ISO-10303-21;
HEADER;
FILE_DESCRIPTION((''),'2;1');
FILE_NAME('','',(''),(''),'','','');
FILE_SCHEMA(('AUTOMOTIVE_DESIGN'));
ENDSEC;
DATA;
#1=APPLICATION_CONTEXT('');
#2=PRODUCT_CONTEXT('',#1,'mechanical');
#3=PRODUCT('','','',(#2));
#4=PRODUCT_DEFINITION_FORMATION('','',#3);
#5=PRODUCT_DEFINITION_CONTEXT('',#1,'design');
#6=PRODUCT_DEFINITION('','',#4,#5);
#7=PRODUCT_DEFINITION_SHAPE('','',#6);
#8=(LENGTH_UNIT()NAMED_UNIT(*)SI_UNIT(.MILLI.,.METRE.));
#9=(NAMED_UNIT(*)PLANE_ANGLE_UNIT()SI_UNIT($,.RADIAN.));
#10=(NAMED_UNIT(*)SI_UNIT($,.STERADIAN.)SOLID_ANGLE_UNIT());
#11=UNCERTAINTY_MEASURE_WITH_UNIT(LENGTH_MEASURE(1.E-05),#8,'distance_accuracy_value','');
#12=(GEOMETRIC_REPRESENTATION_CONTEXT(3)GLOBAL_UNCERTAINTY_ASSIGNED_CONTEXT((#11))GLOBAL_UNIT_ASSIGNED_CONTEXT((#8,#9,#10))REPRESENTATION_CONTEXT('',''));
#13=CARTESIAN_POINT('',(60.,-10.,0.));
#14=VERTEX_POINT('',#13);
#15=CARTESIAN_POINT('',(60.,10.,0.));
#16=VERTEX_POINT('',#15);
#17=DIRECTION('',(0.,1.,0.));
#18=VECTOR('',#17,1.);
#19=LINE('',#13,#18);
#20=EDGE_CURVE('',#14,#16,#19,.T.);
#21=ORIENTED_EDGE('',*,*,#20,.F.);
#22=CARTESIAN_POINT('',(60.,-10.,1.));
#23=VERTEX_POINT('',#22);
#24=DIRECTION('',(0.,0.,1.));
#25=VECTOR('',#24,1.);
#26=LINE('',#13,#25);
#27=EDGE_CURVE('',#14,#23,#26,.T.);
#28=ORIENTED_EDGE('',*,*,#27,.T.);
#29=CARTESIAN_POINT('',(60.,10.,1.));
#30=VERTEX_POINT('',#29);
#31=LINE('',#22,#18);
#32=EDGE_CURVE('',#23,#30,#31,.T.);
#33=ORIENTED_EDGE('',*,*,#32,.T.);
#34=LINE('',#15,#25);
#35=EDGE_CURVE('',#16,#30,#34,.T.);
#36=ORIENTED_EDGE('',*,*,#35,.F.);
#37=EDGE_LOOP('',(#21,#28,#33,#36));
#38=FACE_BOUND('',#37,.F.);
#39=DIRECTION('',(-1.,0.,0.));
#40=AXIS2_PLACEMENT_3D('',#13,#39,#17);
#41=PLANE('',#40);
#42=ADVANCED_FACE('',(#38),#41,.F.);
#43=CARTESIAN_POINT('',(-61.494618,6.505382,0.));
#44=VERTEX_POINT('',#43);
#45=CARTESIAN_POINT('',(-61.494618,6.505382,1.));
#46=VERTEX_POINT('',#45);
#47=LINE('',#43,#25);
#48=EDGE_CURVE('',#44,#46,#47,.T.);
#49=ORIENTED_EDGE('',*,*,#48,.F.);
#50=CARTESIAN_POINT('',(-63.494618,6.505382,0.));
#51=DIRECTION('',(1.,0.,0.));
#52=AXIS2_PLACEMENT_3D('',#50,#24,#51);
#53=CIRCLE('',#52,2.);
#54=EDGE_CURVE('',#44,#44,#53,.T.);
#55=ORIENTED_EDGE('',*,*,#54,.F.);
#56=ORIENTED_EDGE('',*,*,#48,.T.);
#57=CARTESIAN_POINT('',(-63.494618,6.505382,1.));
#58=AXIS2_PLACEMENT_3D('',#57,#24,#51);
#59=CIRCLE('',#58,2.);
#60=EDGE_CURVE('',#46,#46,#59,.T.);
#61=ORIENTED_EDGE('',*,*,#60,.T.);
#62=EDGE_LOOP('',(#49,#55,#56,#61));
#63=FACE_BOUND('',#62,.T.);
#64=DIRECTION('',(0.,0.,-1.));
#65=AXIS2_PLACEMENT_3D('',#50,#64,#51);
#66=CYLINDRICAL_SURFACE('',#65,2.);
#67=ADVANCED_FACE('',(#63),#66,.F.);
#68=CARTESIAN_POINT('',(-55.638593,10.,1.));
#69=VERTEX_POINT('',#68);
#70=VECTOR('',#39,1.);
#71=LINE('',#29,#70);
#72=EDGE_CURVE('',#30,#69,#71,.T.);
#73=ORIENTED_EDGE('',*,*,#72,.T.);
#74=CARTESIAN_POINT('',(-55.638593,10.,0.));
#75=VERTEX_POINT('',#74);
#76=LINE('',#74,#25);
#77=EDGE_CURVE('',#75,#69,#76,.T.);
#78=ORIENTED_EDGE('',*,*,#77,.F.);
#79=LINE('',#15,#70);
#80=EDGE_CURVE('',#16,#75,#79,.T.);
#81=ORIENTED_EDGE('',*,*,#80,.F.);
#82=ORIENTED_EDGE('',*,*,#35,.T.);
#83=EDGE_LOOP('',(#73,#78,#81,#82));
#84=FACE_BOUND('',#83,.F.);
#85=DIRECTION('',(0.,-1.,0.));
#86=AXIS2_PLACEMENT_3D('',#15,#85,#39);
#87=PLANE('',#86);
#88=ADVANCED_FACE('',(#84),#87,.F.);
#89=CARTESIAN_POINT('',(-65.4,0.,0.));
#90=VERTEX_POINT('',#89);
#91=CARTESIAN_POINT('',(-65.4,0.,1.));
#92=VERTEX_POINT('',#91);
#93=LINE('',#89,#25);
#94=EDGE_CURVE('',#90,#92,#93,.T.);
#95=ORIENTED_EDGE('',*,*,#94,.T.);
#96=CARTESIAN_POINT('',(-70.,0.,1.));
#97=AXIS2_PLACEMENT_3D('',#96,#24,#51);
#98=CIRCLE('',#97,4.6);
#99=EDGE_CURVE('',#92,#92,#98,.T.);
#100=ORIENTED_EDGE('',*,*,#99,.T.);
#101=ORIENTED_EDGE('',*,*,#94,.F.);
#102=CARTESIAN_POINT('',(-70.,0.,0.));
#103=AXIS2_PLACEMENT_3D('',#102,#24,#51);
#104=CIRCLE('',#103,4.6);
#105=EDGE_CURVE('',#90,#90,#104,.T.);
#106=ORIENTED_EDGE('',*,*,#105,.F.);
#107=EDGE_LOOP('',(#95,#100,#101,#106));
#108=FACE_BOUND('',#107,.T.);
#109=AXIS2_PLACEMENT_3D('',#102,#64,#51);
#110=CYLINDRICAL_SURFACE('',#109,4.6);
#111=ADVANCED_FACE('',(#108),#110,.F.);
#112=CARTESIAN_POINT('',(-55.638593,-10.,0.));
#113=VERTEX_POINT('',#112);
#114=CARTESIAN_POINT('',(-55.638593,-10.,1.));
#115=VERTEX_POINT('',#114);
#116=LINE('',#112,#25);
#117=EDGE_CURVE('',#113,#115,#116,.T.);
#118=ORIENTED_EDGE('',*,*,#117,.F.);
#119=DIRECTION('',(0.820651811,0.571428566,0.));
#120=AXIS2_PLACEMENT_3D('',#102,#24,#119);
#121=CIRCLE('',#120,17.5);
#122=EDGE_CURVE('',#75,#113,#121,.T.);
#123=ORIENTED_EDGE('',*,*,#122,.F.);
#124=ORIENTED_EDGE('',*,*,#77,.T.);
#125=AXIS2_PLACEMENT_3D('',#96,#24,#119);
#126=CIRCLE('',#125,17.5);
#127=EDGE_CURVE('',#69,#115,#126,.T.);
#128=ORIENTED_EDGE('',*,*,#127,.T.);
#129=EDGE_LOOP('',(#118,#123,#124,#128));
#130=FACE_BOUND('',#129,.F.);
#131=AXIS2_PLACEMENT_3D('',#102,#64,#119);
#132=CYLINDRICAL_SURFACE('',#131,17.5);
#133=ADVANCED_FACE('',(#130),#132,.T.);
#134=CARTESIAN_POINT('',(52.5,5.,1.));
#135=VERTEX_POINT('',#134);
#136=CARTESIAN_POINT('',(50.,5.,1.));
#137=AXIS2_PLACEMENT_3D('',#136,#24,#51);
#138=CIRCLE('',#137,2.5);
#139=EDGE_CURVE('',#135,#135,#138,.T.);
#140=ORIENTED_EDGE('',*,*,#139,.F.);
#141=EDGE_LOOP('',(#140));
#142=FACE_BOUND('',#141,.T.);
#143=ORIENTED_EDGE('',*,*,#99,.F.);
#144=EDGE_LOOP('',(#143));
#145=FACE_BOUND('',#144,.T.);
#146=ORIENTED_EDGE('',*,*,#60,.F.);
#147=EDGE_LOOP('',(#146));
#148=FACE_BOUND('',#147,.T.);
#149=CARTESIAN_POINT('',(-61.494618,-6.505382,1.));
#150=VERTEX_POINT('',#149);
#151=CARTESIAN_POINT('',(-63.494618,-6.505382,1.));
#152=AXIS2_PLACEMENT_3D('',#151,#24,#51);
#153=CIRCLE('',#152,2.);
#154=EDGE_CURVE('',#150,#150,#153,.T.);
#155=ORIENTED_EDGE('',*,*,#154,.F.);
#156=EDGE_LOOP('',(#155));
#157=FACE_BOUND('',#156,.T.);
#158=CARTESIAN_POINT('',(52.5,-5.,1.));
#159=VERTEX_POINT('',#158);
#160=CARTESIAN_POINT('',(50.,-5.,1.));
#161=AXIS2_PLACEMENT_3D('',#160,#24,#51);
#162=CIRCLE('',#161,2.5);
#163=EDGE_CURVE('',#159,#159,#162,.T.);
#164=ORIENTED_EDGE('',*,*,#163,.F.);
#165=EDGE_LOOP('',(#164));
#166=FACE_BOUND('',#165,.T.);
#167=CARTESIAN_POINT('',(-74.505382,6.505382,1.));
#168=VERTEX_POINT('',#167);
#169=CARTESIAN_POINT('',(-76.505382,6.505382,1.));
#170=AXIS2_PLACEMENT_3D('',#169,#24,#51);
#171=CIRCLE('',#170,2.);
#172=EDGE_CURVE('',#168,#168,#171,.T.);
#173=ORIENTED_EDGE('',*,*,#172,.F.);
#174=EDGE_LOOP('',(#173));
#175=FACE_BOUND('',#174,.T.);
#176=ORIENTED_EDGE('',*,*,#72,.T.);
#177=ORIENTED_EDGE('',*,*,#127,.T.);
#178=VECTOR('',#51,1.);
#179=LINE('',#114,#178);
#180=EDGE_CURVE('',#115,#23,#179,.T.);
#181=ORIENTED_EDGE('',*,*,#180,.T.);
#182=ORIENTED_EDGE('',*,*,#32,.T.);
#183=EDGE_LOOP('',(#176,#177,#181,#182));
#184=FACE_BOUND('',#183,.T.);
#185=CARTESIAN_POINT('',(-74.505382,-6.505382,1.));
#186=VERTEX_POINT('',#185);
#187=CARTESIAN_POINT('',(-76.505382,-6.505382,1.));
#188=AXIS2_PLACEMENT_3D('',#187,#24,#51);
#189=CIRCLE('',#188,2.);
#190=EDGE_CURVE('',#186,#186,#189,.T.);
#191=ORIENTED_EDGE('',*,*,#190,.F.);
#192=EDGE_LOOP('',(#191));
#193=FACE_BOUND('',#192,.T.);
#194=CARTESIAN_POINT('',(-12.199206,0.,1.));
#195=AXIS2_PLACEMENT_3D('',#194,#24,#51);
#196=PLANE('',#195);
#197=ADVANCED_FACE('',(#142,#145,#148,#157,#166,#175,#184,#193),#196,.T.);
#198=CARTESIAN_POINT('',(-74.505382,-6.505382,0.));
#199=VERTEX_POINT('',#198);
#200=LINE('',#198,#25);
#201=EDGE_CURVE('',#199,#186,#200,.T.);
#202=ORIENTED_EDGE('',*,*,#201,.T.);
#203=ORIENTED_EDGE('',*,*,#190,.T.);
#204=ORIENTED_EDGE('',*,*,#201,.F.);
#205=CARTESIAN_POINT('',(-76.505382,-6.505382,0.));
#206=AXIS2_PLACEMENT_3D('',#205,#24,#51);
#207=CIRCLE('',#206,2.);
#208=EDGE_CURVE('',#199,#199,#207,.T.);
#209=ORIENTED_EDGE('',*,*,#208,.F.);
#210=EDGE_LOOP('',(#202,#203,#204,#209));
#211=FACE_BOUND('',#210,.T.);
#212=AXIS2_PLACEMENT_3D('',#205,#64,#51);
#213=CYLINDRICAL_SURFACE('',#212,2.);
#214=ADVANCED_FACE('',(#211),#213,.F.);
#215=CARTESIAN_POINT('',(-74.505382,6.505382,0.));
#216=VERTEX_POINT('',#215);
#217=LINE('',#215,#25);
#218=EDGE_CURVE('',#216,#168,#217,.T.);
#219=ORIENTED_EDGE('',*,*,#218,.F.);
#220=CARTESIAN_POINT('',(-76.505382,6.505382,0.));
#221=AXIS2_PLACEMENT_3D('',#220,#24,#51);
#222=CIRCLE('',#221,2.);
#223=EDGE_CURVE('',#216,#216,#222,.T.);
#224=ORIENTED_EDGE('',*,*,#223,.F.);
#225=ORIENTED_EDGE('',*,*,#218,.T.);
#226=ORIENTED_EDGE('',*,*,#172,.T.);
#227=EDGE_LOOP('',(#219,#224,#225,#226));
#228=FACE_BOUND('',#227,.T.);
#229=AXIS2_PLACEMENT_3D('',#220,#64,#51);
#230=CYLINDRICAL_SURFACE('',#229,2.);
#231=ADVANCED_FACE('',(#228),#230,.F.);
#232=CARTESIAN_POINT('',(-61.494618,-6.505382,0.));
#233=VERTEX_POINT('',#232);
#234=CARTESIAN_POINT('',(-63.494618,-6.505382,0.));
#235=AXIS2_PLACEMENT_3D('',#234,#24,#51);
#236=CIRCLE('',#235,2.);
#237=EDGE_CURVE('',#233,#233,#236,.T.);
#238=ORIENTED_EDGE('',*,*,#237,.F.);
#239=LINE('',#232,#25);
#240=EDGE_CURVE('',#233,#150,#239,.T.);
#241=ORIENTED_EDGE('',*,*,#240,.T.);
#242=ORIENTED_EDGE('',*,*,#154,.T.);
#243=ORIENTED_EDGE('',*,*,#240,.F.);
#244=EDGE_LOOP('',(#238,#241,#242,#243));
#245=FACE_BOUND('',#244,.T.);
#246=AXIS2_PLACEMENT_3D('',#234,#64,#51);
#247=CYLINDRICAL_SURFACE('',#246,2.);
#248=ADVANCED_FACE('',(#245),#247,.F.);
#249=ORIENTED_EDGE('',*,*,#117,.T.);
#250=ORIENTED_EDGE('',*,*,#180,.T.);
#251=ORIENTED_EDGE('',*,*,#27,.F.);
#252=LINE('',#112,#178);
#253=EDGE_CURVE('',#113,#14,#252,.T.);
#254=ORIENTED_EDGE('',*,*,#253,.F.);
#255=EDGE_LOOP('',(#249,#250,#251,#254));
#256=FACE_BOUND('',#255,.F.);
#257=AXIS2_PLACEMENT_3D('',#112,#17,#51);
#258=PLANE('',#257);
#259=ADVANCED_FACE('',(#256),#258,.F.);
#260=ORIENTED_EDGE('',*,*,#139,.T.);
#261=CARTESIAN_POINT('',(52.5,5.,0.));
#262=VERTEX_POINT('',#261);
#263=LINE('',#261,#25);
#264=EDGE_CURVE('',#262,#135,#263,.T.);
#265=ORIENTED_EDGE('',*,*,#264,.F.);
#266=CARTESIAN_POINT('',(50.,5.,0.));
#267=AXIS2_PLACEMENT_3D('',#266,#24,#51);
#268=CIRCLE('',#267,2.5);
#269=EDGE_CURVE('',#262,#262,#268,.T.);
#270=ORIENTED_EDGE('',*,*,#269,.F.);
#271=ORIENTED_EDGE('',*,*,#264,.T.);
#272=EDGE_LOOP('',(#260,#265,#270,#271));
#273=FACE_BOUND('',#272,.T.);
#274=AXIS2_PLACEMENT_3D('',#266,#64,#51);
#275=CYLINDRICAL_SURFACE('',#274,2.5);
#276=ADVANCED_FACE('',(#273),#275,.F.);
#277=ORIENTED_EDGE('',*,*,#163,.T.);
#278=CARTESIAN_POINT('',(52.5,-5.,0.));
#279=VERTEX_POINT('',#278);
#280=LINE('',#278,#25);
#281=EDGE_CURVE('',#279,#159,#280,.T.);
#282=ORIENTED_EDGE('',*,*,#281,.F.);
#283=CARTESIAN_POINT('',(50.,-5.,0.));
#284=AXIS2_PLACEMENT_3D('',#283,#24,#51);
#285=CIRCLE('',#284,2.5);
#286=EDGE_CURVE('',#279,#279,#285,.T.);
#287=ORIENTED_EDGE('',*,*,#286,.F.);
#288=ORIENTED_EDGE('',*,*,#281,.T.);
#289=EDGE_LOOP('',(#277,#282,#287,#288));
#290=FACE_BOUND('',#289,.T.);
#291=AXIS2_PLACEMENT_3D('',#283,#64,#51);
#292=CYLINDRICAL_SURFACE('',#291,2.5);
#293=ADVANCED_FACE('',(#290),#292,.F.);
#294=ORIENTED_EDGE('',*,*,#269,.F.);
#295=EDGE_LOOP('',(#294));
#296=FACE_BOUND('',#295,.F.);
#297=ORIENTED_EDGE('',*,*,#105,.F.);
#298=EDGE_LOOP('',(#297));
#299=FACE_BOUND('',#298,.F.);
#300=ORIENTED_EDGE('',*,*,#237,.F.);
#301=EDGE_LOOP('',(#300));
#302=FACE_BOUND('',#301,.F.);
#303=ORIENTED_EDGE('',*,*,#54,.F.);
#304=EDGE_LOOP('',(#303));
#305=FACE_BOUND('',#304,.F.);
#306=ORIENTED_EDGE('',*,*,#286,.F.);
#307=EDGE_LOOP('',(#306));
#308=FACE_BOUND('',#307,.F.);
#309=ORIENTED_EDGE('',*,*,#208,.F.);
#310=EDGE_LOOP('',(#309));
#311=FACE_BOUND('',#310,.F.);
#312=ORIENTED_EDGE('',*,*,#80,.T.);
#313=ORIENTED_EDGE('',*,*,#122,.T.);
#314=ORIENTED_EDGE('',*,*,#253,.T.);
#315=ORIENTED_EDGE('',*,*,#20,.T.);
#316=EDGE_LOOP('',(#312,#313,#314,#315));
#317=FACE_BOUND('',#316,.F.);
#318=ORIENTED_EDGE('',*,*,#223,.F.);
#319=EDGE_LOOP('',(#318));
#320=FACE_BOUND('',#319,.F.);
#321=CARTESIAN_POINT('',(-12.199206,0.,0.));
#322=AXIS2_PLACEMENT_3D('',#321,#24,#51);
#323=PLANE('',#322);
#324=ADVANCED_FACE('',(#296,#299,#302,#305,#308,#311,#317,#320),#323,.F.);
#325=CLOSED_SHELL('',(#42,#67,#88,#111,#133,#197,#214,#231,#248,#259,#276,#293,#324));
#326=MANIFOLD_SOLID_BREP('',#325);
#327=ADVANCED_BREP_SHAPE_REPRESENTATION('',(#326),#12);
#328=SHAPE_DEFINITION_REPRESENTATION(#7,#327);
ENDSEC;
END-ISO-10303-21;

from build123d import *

# Parameters (mm, degrees)
F0_R     = 2
F0_R_2   = 4.6
F0_R_3   = 2.5
F1_DEPTH = 1


with BuildPart() as f1:
    # F0 (on Top) → F1 (new body)
    with BuildSketch(Plane.XY):
        with BuildLine():
            Line((-55.638593, -10), (60, -10))
            Line((60, -10), (60, 10))
            Line((60, 10), (-55.638593, 10))
            ThreePointArc((-55.638593, 10), (-87.5, 0), (-55.638593, -10))
        make_face()
        with Locations((-76.505382, -6.505382)):
            Circle(F0_R, mode=Mode.SUBTRACT)
        with Locations((-63.494618, -6.505382)):
            Circle(F0_R, mode=Mode.SUBTRACT)
        with Locations((-70, 0)):
            Circle(F0_R_2, mode=Mode.SUBTRACT)
        with Locations((50, -5)):
            Circle(F0_R_3, mode=Mode.SUBTRACT)
        with Locations((-76.505382, 6.505382)):
            Circle(F0_R, mode=Mode.SUBTRACT)
        with Locations((-63.494618, 6.505382)):
            Circle(F0_R, mode=Mode.SUBTRACT)
        with Locations((50, 5)):
            Circle(F0_R_3, mode=Mode.SUBTRACT)
    extrude(amount=F1_DEPTH)


solid = f1.part
